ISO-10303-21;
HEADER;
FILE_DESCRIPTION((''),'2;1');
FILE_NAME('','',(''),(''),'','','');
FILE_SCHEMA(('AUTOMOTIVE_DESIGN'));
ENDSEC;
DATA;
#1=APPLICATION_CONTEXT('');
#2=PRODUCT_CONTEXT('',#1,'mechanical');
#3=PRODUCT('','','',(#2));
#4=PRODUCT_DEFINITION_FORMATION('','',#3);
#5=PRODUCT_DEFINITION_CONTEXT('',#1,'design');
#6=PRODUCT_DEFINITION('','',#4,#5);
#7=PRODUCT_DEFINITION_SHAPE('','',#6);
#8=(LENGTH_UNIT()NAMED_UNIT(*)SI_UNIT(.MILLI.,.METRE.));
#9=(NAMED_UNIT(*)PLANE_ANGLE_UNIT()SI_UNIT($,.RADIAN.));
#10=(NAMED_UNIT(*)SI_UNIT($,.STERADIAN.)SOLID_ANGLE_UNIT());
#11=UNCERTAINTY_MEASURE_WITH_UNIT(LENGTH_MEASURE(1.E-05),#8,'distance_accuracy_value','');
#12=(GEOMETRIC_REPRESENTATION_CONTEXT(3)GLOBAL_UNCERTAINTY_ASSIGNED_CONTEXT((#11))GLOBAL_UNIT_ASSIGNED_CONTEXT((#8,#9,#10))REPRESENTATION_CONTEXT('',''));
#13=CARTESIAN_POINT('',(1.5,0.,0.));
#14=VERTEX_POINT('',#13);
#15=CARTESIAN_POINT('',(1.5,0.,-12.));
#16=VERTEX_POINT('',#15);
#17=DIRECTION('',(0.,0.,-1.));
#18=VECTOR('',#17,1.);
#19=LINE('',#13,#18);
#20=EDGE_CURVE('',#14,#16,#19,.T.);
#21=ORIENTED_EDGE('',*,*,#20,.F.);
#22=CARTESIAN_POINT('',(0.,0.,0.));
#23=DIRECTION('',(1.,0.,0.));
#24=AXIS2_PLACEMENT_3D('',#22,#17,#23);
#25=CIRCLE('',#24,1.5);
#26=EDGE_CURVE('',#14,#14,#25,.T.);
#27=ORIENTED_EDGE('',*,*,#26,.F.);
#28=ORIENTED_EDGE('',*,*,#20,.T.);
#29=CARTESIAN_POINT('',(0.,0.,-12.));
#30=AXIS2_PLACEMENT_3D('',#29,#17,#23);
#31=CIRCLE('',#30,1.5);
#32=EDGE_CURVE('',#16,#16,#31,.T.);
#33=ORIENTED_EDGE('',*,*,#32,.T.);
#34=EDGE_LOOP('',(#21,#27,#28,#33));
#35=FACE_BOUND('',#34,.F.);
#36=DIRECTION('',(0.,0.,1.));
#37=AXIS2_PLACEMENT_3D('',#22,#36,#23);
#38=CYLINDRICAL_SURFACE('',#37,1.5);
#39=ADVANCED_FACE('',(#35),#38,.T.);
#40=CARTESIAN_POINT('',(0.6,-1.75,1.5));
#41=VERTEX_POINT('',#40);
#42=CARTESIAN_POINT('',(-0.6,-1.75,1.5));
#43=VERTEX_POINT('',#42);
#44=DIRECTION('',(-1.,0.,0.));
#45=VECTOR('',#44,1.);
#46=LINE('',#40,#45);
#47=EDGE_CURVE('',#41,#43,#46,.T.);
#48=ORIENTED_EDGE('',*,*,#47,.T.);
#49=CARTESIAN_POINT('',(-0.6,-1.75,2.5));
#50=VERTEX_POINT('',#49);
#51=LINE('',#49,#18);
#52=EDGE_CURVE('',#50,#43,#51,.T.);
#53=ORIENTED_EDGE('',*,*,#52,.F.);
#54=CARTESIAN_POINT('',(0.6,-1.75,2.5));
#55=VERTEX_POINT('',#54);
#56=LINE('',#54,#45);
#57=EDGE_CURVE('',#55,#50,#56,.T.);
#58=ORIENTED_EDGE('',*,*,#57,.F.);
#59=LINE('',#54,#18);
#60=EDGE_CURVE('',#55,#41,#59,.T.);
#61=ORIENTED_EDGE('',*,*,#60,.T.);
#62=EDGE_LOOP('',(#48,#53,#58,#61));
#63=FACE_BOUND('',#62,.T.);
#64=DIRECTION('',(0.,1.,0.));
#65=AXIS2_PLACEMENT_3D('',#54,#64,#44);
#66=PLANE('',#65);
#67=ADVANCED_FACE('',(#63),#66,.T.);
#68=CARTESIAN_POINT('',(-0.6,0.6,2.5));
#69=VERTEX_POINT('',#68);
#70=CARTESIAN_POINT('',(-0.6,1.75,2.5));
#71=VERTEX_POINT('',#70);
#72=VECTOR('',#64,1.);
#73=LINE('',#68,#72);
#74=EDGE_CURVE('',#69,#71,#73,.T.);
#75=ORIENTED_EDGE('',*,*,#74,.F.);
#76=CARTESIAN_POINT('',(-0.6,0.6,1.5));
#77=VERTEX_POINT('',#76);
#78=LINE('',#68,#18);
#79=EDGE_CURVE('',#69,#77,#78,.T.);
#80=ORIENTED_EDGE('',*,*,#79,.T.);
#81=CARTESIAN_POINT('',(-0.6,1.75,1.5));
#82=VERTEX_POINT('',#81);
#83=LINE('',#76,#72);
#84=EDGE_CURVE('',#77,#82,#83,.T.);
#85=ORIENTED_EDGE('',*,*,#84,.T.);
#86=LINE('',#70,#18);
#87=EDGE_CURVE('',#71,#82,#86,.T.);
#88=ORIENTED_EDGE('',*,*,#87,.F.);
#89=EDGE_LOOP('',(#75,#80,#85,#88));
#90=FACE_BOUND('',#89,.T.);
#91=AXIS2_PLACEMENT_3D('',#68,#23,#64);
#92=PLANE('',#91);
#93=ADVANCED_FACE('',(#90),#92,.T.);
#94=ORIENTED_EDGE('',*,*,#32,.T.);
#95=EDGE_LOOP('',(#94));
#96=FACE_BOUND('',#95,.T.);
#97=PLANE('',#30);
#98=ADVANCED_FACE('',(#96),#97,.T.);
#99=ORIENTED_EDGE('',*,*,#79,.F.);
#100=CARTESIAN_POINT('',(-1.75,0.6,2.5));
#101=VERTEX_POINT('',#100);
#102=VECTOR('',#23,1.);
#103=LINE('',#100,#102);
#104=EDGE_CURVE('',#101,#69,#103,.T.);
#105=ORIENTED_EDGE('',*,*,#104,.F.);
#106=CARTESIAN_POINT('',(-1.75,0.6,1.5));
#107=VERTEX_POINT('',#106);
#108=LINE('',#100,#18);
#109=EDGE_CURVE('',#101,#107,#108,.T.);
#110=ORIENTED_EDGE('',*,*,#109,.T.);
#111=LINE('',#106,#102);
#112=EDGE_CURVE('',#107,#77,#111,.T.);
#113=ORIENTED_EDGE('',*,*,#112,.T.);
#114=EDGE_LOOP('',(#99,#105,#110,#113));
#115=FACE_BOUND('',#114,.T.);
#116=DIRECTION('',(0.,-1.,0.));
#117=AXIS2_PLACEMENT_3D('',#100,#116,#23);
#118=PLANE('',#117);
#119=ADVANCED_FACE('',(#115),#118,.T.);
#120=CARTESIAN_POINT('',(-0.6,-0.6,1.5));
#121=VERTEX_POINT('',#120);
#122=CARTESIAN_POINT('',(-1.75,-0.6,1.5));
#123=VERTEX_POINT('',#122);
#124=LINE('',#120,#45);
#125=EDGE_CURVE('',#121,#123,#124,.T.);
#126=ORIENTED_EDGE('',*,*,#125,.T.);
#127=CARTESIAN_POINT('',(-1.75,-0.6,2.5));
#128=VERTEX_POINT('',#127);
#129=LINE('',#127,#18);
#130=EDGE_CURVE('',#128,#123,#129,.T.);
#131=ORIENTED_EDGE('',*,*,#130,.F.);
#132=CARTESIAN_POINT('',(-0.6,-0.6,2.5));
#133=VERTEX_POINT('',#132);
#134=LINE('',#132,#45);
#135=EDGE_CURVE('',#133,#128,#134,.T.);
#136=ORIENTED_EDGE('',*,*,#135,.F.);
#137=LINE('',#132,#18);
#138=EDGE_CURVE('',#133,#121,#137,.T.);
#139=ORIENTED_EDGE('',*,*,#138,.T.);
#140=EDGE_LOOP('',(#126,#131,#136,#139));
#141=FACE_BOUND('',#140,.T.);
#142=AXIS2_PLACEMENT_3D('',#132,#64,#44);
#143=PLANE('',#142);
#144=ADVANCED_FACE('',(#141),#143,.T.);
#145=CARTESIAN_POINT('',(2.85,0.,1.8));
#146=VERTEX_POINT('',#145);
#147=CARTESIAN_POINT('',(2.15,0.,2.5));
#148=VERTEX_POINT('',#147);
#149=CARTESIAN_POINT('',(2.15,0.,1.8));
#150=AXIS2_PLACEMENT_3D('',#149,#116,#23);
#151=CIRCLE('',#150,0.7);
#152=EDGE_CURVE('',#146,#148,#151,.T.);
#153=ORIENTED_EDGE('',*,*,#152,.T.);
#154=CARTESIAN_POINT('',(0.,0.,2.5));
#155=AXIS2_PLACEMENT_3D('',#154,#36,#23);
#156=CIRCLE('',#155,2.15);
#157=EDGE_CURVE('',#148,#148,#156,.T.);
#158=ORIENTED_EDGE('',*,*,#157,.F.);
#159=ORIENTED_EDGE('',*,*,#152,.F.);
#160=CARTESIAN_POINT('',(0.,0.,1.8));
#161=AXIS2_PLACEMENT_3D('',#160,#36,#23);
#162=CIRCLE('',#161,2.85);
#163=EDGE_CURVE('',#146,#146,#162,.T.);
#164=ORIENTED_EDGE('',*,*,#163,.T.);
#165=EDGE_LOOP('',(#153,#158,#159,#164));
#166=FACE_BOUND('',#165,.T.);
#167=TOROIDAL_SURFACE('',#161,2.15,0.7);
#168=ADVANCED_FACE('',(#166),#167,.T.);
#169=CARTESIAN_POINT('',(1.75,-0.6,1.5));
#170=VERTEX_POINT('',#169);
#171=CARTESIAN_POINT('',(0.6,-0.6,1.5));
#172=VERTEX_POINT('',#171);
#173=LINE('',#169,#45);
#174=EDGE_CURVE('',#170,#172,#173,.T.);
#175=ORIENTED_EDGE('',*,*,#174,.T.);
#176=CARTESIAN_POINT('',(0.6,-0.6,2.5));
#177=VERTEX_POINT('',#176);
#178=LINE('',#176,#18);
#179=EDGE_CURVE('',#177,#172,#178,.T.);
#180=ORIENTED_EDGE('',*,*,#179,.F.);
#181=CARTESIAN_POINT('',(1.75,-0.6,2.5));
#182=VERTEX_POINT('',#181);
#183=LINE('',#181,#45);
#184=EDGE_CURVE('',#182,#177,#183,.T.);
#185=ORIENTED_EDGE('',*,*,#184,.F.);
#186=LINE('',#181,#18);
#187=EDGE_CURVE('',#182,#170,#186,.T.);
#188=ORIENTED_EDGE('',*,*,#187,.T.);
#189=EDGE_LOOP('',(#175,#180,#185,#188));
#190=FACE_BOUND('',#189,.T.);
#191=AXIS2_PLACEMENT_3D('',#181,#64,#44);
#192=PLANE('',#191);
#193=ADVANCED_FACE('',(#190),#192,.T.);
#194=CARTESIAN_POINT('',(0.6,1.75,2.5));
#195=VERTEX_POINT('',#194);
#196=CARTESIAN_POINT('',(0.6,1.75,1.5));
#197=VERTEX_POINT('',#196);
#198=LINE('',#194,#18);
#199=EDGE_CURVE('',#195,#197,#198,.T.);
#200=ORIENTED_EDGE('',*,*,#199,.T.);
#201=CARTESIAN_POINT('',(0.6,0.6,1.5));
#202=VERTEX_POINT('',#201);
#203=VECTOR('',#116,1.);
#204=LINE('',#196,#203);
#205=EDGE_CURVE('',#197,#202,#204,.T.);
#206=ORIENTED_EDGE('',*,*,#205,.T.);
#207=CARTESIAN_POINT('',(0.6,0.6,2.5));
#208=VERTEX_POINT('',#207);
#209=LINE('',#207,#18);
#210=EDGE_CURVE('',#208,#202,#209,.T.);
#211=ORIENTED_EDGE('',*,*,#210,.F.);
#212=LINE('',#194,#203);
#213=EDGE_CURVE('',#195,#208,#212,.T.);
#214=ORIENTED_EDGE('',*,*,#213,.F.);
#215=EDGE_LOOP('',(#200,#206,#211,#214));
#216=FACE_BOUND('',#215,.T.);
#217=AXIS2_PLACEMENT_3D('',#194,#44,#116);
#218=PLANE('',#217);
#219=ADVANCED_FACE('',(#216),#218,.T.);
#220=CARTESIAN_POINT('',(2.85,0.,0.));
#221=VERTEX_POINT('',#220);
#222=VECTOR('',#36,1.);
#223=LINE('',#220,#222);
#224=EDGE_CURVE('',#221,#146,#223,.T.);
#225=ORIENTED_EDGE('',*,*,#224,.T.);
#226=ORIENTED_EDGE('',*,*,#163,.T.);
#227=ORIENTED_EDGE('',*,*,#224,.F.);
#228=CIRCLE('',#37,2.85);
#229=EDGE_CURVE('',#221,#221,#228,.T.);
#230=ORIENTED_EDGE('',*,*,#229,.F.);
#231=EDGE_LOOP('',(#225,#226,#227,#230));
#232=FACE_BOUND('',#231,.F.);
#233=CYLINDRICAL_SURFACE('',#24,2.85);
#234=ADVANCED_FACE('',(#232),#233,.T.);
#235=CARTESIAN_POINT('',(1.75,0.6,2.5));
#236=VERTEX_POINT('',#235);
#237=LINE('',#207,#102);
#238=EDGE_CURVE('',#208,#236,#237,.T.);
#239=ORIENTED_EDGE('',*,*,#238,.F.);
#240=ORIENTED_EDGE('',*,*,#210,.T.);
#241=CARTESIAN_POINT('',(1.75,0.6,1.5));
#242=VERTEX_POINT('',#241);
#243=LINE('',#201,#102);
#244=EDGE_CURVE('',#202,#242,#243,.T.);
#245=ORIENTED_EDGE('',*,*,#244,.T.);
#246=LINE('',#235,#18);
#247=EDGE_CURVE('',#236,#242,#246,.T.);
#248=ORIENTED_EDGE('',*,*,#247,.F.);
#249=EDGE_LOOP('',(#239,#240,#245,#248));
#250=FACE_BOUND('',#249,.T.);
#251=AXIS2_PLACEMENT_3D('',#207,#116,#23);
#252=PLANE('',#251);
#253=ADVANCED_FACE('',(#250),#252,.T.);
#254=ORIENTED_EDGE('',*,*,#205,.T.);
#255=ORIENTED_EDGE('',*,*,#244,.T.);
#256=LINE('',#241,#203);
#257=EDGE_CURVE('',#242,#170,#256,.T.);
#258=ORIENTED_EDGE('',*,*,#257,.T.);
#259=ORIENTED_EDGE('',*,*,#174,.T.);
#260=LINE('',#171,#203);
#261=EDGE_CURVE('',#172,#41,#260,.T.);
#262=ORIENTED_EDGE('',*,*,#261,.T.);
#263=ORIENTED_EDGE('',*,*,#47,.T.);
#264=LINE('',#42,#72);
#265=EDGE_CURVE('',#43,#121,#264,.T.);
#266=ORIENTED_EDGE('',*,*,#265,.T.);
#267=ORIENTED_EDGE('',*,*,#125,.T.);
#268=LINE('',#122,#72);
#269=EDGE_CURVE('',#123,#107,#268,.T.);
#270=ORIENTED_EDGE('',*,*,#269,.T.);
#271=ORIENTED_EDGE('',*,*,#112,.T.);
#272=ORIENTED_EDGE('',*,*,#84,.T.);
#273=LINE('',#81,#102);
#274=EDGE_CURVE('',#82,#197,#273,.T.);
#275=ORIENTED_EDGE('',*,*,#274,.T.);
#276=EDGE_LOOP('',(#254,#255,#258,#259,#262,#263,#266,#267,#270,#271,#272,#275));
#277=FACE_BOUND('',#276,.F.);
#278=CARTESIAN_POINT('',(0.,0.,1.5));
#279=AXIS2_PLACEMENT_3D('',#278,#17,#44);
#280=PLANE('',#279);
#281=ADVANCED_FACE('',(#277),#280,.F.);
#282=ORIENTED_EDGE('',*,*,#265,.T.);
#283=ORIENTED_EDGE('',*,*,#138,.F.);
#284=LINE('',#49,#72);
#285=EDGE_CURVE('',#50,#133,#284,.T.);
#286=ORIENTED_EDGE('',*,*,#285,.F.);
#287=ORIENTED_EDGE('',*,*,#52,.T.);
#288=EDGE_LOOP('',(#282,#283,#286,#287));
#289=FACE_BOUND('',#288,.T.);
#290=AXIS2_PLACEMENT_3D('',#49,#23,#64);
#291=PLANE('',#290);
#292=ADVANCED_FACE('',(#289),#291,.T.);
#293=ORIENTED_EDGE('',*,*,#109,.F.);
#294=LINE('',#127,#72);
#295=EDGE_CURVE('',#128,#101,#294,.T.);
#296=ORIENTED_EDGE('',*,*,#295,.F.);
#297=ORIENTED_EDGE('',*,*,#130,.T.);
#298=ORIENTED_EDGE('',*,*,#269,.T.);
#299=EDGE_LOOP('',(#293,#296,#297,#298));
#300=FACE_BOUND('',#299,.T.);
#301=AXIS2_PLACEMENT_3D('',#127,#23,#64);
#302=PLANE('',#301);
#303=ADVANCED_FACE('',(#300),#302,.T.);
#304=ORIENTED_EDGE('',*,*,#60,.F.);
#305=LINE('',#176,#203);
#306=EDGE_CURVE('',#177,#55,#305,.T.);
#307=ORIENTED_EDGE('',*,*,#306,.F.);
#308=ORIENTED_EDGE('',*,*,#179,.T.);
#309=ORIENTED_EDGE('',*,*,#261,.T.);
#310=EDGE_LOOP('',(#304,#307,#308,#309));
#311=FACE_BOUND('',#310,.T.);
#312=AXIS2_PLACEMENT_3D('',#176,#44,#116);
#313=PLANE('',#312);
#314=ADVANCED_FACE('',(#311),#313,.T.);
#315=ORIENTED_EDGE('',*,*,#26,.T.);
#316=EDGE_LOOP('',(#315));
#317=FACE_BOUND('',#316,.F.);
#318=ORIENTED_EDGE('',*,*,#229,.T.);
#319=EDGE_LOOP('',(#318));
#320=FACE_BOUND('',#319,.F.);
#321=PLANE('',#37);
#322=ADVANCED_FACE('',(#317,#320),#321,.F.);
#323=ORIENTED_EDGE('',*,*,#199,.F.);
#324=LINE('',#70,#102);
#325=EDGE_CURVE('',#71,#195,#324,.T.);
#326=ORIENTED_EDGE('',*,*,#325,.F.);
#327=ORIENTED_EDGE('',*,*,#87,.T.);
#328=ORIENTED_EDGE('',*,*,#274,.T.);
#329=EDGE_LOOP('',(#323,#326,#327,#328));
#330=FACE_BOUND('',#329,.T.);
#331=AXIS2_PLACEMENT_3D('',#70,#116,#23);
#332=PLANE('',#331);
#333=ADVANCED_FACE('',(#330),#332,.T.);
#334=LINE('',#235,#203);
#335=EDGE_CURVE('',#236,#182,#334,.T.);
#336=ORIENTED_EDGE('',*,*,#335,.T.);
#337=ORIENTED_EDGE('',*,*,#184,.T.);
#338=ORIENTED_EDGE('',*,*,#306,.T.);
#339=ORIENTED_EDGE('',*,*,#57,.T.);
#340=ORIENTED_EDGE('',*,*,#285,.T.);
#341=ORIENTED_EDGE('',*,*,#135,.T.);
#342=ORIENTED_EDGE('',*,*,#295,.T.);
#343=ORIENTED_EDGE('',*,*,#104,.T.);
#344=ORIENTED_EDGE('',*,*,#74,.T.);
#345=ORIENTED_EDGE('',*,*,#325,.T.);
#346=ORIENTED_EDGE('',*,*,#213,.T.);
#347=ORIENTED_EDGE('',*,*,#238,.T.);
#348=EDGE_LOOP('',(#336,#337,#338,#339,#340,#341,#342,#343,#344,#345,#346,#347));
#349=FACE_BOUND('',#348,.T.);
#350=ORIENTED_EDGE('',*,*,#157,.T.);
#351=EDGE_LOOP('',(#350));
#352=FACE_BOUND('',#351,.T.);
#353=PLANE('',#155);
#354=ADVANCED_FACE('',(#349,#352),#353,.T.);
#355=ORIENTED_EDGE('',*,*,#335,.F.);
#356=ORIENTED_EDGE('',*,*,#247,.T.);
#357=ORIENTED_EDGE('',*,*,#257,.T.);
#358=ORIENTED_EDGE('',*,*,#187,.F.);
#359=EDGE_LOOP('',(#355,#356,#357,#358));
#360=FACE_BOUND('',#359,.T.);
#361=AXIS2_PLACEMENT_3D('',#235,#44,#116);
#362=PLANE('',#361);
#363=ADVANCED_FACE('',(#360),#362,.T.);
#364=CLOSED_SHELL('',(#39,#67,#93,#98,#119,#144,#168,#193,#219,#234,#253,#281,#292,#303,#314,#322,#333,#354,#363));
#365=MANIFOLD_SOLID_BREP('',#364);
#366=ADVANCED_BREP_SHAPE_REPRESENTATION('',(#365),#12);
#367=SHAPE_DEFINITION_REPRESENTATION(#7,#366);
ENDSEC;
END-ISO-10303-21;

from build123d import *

# Parameters (mm, degrees)
SKETCH_R     = 2.85
PAD_DEPTH    = 2.5
POCKET_DEPTH = 1
FILLET_R     = 0.7
SKETCH002_R  = 1.5
PAD001_DEPTH = 12


with BuildPart() as part:
    # Sketch → Pad (new body)
    with BuildSketch(Plane.XY):
        Circle(SKETCH_R)
    extrude(amount=PAD_DEPTH)

    # Sketch001 (on Face3 of Pad) → Pocket (cut)
    with BuildSketch(Plane.XY.offset(2.5)):
        Polygon((-0.6, 1.75), (0.6, 1.75), (0.6, 0.6), (1.75, 0.6), (1.75, -0.6), (0.6, -0.6), (0.6, -1.75), (-0.6, -1.75), (-0.6, -0.6), (-1.75, -0.6), (-1.75, 0.6), (-0.6, 0.6), align=None)
    extrude(amount=-POCKET_DEPTH, mode=Mode.SUBTRACT)

    # Fillet
    fillet_edges = [part.edges().sort_by_distance(p)[0] for p in [
        (-2.85, 0, 2.5),
    ]]
    fillet(fillet_edges, radius=FILLET_R)

    # Sketch002 (on Face3 of Fillet) → Pad001 (join)
    with BuildSketch(Plane(origin=(0, 0, 0), x_dir=(1, 0, 0), z_dir=(0, 0, -1))):
        Circle(SKETCH002_R)
    extrude(amount=PAD001_DEPTH)


solid = part.part
